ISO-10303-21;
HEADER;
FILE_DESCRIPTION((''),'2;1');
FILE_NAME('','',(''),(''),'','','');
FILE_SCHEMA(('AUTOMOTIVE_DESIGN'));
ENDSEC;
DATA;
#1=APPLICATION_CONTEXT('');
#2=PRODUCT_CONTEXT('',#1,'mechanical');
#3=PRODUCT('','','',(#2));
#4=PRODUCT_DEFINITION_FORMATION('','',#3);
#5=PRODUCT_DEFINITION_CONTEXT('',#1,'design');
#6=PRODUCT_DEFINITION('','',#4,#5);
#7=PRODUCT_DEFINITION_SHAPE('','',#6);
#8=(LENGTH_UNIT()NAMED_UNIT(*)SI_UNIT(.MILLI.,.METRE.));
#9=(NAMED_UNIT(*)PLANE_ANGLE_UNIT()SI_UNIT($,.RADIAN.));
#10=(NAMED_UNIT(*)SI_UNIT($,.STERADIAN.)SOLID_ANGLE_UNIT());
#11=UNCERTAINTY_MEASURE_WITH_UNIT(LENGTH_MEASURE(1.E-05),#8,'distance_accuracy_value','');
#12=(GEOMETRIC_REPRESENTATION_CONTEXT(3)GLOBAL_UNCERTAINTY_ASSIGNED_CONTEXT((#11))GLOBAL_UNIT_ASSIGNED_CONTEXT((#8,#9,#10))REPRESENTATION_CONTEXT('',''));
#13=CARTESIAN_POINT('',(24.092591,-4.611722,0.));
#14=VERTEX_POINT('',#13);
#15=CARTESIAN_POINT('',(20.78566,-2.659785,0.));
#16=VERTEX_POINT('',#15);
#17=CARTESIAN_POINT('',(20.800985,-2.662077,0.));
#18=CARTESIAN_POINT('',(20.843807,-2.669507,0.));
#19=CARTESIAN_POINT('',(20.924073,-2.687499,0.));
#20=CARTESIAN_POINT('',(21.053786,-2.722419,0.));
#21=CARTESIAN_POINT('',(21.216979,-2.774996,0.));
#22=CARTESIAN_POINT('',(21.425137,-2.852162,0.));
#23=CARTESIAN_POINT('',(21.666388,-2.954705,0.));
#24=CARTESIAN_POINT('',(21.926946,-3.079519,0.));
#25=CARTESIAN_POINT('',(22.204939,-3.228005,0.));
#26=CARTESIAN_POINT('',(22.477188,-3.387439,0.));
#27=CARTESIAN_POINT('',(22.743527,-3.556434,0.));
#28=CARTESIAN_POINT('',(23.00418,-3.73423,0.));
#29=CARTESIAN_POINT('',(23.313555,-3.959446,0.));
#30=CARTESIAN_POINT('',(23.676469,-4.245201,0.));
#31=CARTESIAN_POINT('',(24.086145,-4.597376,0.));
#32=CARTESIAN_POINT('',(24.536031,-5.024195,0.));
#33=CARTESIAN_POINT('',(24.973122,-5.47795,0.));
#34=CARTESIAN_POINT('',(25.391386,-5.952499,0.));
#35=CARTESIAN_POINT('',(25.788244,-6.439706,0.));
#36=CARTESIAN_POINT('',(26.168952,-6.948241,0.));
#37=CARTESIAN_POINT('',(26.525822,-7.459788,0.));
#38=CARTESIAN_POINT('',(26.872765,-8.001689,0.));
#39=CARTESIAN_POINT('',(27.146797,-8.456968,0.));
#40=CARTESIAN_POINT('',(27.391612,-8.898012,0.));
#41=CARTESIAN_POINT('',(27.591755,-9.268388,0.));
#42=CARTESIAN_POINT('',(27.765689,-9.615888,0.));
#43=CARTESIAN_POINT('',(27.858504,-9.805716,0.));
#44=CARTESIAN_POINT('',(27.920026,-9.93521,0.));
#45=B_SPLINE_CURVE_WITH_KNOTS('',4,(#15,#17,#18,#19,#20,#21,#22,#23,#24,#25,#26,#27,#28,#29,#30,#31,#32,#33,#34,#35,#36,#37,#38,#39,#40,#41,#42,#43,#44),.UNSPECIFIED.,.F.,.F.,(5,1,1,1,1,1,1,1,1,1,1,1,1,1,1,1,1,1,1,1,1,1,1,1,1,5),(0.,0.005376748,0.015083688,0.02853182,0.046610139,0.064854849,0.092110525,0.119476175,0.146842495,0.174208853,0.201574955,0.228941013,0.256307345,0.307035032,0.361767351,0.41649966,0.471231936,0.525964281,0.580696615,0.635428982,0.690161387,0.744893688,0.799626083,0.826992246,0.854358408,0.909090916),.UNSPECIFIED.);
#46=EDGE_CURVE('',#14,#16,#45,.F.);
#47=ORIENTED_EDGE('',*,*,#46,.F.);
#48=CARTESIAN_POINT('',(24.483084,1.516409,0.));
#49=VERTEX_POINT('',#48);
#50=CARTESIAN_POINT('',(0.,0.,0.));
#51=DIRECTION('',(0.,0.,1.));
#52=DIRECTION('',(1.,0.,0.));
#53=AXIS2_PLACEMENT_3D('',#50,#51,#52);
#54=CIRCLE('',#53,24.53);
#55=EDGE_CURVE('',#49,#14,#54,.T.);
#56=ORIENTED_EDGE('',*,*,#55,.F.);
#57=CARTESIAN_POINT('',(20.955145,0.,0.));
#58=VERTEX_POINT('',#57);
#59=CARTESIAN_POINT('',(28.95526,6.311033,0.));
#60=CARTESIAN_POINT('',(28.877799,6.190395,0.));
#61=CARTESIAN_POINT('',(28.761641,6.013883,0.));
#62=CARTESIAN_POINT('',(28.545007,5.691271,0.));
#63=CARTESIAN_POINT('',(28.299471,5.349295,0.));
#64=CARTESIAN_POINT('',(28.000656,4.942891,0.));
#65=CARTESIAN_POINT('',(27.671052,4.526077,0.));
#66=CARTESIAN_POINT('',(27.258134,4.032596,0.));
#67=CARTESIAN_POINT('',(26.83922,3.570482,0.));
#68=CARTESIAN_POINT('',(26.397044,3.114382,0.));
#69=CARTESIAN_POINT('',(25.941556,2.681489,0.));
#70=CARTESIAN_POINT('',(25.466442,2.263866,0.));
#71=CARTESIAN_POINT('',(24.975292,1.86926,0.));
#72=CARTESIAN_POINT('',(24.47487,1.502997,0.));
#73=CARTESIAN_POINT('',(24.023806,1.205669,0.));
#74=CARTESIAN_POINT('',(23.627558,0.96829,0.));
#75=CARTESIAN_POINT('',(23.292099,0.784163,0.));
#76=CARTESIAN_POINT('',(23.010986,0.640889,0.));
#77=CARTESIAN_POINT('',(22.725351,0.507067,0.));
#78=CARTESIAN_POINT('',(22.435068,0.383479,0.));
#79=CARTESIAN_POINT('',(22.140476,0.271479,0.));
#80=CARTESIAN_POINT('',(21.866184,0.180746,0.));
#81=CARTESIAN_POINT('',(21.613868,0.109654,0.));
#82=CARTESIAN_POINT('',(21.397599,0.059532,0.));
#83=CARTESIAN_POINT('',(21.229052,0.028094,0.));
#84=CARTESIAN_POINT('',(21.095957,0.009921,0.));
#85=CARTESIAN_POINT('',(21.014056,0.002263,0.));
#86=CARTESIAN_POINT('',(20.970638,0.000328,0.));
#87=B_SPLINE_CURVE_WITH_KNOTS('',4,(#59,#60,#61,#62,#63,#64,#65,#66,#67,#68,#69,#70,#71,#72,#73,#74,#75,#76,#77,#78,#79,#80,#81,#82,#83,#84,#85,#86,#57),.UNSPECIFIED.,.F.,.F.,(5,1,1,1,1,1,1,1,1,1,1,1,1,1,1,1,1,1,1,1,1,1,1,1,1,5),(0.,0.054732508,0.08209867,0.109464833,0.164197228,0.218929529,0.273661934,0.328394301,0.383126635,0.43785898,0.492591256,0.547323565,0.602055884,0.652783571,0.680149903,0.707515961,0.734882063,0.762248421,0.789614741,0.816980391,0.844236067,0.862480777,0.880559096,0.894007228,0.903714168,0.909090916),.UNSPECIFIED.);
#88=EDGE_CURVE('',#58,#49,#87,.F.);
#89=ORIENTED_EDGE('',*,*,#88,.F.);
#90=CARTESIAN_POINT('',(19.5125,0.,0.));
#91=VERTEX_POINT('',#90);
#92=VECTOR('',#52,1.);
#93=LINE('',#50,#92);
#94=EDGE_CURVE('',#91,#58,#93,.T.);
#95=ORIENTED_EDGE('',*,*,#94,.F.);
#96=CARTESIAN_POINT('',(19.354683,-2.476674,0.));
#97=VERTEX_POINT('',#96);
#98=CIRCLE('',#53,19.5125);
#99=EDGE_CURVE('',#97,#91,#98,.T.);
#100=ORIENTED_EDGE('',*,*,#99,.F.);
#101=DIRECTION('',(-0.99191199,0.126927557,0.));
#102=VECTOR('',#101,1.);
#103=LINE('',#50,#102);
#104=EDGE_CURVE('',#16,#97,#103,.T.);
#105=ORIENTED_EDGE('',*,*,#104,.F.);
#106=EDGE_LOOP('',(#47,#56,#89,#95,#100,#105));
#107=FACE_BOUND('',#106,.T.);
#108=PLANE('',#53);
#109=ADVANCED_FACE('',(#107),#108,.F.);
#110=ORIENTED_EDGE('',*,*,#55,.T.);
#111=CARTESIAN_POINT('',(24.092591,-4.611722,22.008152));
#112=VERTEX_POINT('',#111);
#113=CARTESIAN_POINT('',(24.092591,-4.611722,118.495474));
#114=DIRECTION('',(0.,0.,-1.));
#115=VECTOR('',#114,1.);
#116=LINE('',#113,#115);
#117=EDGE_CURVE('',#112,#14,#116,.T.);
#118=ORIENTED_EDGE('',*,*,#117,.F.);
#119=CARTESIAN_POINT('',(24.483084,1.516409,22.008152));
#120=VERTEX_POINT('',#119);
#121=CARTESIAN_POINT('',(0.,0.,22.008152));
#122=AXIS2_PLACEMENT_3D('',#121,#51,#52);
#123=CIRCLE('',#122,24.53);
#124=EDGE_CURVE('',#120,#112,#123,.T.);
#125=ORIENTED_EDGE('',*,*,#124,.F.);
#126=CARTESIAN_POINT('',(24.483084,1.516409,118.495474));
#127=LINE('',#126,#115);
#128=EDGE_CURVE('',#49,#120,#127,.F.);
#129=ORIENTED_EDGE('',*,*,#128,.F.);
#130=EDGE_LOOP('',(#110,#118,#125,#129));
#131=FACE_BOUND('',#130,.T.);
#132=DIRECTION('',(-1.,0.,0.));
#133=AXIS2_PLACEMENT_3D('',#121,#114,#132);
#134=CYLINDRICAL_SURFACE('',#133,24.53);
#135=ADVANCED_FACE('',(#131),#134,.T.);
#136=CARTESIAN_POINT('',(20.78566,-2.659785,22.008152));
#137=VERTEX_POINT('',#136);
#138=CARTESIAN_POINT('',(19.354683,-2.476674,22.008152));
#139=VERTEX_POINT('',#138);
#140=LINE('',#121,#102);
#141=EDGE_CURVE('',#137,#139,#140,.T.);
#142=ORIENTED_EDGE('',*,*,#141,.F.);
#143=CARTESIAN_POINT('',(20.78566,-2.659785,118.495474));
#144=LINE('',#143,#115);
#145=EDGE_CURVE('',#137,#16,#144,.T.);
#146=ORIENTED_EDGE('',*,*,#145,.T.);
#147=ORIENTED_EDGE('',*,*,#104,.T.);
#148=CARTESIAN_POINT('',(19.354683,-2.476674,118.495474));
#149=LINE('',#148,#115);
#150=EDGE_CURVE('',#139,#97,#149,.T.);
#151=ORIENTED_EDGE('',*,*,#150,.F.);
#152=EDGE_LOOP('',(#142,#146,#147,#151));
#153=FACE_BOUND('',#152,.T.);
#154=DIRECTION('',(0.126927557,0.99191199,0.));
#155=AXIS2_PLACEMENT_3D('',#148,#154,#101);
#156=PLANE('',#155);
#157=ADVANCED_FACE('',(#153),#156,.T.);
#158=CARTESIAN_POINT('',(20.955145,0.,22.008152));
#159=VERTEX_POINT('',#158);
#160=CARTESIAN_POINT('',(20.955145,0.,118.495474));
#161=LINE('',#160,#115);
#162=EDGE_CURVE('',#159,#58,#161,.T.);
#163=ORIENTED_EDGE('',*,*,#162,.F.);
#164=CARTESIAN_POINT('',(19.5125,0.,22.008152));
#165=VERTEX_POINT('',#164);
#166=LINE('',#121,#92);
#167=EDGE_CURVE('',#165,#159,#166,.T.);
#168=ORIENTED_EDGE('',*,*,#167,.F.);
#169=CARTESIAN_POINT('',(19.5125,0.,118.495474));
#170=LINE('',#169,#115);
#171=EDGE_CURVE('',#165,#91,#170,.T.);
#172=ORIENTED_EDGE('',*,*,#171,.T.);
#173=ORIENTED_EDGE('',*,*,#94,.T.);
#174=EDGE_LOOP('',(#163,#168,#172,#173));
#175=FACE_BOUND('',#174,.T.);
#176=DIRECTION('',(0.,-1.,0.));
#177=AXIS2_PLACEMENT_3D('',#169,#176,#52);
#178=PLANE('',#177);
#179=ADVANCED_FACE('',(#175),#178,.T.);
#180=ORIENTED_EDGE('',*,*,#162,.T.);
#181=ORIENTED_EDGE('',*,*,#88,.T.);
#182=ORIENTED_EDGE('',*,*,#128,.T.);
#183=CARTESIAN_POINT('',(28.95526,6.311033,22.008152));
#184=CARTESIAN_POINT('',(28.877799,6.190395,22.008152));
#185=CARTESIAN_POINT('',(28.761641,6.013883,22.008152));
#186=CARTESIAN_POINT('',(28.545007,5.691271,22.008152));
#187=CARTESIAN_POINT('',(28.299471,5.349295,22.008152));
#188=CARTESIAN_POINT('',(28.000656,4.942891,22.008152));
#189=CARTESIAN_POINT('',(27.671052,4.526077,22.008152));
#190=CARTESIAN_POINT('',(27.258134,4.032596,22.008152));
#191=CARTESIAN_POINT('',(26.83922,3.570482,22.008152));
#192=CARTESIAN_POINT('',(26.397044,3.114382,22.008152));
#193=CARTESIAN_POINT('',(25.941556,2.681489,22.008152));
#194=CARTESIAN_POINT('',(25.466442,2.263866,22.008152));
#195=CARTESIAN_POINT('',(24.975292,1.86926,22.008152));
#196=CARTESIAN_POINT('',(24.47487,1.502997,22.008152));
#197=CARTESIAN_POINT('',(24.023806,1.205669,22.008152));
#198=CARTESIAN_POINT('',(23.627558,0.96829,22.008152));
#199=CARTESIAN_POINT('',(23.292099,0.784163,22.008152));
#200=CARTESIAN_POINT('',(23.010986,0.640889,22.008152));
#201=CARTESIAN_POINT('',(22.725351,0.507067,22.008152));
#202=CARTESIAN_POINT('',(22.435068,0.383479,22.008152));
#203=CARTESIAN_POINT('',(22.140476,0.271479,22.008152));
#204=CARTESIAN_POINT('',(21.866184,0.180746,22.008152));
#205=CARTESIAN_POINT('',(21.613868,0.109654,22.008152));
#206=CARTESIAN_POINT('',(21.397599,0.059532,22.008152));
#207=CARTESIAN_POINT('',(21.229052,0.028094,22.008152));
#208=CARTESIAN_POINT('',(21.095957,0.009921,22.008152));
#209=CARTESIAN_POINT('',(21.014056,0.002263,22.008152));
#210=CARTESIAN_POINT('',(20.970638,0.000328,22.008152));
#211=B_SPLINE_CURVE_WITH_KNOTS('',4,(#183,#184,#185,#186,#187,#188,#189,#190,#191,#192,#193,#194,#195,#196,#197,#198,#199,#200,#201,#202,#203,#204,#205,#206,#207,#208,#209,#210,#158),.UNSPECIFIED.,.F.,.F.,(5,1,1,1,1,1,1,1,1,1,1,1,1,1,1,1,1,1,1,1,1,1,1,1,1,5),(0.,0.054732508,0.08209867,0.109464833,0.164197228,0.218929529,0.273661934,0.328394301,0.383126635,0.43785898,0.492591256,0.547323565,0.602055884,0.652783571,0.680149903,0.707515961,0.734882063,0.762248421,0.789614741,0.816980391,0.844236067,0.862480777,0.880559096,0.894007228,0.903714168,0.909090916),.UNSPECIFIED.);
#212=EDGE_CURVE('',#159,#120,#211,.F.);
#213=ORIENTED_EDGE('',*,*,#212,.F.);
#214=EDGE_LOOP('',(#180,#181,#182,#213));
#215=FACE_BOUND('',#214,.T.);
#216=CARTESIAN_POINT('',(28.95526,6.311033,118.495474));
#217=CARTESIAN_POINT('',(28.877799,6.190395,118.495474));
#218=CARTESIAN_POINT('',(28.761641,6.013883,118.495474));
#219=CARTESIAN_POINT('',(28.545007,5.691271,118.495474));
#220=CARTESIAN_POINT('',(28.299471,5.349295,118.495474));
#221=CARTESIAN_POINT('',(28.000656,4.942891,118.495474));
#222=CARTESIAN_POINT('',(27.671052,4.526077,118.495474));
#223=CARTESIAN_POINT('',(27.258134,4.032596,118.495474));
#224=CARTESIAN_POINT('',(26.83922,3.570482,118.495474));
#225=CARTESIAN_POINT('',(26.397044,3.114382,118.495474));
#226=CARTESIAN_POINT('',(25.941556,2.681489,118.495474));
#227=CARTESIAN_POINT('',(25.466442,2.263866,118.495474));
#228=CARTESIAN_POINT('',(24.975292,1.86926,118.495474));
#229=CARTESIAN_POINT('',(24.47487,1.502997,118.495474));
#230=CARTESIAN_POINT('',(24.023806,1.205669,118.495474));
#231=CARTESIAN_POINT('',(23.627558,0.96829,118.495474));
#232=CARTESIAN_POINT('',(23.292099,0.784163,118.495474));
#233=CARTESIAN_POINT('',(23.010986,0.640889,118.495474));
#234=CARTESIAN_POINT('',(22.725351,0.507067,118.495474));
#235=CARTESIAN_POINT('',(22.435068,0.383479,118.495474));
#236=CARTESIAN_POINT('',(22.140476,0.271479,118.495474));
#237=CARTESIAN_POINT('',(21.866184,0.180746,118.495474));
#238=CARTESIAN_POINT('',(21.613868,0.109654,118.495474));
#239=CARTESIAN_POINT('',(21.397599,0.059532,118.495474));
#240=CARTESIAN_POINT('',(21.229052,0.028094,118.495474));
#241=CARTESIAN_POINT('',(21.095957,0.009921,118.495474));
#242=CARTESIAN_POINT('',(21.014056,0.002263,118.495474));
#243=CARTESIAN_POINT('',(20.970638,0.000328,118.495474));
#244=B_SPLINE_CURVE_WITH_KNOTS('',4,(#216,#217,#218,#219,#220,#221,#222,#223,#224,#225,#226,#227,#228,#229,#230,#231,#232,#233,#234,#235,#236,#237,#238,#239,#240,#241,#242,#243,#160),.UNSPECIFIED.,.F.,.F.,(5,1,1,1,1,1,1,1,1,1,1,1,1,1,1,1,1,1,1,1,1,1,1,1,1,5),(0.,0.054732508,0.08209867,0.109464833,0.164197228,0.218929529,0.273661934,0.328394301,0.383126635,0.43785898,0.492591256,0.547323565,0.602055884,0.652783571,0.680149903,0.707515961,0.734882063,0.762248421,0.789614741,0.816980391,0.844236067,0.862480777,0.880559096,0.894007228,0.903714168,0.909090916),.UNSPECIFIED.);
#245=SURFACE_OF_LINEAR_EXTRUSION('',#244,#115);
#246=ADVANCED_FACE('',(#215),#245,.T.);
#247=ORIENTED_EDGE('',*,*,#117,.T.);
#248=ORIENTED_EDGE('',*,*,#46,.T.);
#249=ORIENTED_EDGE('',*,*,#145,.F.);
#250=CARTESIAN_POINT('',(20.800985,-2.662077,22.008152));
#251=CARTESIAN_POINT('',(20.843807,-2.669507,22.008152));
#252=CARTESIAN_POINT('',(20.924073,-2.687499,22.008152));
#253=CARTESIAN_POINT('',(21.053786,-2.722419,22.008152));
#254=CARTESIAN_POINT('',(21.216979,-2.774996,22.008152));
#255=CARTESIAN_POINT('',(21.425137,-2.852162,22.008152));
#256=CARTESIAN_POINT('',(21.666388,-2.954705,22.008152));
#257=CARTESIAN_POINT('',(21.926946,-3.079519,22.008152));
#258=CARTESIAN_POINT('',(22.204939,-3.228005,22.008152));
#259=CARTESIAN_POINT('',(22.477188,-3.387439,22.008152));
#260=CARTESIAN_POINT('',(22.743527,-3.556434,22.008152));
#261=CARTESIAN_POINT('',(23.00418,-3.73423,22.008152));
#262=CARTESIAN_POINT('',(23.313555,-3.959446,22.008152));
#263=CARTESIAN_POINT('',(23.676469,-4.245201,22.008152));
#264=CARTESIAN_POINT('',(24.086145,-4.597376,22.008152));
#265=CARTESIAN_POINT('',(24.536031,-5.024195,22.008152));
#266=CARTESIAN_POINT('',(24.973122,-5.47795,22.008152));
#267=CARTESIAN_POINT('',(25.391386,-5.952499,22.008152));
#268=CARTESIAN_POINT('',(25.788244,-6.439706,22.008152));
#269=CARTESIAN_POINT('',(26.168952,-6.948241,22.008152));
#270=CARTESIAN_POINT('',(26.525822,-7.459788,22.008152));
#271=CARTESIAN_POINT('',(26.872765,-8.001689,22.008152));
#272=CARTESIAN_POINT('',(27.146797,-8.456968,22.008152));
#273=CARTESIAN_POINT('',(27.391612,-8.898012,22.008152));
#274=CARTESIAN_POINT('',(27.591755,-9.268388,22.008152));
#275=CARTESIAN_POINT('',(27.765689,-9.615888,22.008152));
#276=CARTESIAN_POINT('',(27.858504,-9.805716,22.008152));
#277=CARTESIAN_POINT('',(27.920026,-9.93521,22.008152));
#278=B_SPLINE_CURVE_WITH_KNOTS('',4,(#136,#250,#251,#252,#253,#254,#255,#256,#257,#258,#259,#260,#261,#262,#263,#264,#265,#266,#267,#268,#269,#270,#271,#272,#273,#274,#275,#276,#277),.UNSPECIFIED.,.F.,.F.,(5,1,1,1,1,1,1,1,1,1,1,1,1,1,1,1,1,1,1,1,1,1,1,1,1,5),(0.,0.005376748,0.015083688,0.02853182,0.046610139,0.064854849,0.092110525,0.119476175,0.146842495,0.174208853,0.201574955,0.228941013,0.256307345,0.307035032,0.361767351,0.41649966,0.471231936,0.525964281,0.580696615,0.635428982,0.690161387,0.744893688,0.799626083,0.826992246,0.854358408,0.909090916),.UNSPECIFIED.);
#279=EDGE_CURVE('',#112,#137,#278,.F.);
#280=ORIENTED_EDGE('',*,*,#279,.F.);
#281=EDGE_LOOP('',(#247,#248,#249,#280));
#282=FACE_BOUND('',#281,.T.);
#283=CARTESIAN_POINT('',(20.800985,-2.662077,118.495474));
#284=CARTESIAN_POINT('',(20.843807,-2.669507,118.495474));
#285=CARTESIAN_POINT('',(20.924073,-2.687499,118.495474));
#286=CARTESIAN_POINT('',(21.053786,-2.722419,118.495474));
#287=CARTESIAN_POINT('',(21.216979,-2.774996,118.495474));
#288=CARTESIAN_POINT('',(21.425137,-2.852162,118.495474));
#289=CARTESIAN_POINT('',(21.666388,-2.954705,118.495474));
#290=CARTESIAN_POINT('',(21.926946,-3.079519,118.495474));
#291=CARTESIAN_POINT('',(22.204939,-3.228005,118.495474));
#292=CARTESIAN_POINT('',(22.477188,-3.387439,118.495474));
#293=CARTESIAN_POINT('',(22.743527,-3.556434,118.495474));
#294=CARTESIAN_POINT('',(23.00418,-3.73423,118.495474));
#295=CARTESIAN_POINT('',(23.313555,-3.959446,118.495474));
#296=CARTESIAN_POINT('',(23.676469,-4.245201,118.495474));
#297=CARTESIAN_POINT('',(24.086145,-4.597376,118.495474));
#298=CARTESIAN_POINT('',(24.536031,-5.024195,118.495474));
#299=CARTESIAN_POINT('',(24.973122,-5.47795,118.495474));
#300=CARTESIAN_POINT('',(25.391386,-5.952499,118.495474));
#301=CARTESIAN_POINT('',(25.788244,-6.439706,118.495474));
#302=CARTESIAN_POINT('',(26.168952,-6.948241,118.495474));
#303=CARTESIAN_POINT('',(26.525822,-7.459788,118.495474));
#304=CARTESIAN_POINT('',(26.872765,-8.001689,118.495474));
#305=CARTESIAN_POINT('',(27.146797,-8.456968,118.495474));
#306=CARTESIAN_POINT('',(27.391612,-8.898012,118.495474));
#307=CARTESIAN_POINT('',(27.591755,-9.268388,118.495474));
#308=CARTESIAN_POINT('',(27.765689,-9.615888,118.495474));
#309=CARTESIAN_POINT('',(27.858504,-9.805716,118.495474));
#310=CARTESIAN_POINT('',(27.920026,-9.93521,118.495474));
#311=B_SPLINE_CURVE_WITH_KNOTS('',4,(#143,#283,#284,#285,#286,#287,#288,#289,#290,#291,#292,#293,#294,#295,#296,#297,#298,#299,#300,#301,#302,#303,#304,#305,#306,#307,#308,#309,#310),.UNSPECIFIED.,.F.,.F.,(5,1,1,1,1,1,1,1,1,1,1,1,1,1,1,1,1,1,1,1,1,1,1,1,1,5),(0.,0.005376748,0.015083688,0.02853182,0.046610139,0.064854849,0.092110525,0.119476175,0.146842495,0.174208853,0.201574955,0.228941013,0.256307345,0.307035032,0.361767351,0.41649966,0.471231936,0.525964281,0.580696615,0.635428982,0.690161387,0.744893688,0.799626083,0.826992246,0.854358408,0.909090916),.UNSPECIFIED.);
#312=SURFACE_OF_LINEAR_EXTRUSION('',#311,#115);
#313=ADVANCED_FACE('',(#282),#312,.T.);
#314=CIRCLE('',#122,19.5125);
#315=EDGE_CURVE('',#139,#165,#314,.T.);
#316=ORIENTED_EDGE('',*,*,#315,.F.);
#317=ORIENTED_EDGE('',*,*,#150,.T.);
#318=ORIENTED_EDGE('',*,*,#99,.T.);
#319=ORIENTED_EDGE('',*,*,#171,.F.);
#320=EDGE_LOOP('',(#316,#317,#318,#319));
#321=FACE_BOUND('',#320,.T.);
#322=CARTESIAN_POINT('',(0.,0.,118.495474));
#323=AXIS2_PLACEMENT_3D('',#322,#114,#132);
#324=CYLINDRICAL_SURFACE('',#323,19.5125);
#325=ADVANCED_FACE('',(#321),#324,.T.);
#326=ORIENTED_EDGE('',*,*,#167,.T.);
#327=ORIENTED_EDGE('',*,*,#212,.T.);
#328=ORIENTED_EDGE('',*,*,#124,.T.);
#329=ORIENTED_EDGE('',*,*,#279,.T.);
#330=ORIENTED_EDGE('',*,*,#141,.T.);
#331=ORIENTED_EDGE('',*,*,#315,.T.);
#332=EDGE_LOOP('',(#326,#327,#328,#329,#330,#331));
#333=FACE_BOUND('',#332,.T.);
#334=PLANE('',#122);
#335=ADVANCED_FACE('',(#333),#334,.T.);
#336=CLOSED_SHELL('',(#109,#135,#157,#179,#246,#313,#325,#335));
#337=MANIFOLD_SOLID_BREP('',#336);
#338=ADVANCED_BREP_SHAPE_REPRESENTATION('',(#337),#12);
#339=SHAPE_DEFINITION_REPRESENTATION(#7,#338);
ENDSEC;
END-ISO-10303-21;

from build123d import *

# Parameters (mm, degrees)
SKETCH1_R               = 24.53
BOSS_EXTRUDE1_DEPTH     = 22.008152455
CUT_EXTRUDE3_DEPTH      = 23.008152455
CUT_EXTRUDE3_DEPTH_BACK = 1


with BuildPart() as part:
    # Sketch1 → Boss-Extrude1 (new body)
    with BuildSketch(Plane.XY):
        Circle(SKETCH1_R)
    extrude(amount=BOSS_EXTRUDE1_DEPTH)

    # Sketch2 → Cut-Extrude3 (cut, two sides)
    with BuildSketch(Plane.XY) as cut_extrude3_sk:
        with BuildLine():
            Line((20.955145444, 0), (19.5125, 0))
            ThreePointArc((19.5125, 0), (19.473005706, -1.240848518), (19.354682699, -2.476673954))
            Line((19.354682699, -2.476673954), (20.785660011, -2.659785415))
            add(Edge.make_bspline(
                [(20.785660011, -2.659785415), (20.800985299, -2.662076983), (20.843806968, -2.669507053), (20.924073429, -2.687499122), (21.05378572, -2.72241867), (21.216979197, -2.774995556), (21.425137234, -2.852162258), (21.666388368, -2.954705307), (21.926945547, -3.07951949), (22.20493909, -3.228005325), (22.477187641, -3.387439173), (22.743526717, -3.556434161), (23.004180465, -3.734229594), (23.313555372, -3.959446459), (23.619528341, -4.200366277), (23.856411219, -4.400665356), (24.029365424, -4.554471972), (24.092590531, -4.611722182)],
                knots=[0, 0, 0, 0, 0, 0.005376748, 0.015083688, 0.02853182, 0.046610139, 0.064854849, 0.092110525, 0.119476175, 0.146842495, 0.174208853, 0.201574955, 0.228941013, 0.256307345, 0.307035032, 0.336633369, 0.336633369, 0.336633369, 0.336633369, 0.336633369], degree=4))
            ThreePointArc((24.092590531, -4.611722182), (24.420402799, -2.316209648), (24.53, 0))
            ThreePointArc((24.53, 0), (24.518268205, 0.75856723), (24.483084041, 1.51640887))
            add(Edge.make_bspline(
                [(20.955145444, 0), (20.970637643, 0.000327832), (21.014056051, 0.002262558), (21.095957005, 0.009921081), (21.229052435, 0.028094135), (21.397599457, 0.059532029), (21.613868491, 0.109653615), (21.866183922, 0.180745878), (22.140476071, 0.271478677), (22.435068144, 0.383478516), (22.725351294, 0.507067017), (23.010986338, 0.640889404), (23.292099055, 0.784162682), (23.627557961, 0.96828979), (23.961635582, 1.168424644), (24.222026021, 1.337036737), (24.413103669, 1.467646709), (24.483084041, 1.51640887)],
                knots=[0, 0, 0, 0, 0, 0.005376748, 0.015083688, 0.02853182, 0.046610139, 0.064854849, 0.092110525, 0.119476175, 0.146842495, 0.174208853, 0.201574955, 0.228941013, 0.256307345, 0.307035032, 0.336633369, 0.336633369, 0.336633369, 0.336633369, 0.336633369], degree=4))
        make_face()
    extrude(amount=CUT_EXTRUDE3_DEPTH, mode=Mode.SUBTRACT)
    extrude(cut_extrude3_sk.sketch, amount=-CUT_EXTRUDE3_DEPTH_BACK, mode=Mode.SUBTRACT)


solid = part.part
